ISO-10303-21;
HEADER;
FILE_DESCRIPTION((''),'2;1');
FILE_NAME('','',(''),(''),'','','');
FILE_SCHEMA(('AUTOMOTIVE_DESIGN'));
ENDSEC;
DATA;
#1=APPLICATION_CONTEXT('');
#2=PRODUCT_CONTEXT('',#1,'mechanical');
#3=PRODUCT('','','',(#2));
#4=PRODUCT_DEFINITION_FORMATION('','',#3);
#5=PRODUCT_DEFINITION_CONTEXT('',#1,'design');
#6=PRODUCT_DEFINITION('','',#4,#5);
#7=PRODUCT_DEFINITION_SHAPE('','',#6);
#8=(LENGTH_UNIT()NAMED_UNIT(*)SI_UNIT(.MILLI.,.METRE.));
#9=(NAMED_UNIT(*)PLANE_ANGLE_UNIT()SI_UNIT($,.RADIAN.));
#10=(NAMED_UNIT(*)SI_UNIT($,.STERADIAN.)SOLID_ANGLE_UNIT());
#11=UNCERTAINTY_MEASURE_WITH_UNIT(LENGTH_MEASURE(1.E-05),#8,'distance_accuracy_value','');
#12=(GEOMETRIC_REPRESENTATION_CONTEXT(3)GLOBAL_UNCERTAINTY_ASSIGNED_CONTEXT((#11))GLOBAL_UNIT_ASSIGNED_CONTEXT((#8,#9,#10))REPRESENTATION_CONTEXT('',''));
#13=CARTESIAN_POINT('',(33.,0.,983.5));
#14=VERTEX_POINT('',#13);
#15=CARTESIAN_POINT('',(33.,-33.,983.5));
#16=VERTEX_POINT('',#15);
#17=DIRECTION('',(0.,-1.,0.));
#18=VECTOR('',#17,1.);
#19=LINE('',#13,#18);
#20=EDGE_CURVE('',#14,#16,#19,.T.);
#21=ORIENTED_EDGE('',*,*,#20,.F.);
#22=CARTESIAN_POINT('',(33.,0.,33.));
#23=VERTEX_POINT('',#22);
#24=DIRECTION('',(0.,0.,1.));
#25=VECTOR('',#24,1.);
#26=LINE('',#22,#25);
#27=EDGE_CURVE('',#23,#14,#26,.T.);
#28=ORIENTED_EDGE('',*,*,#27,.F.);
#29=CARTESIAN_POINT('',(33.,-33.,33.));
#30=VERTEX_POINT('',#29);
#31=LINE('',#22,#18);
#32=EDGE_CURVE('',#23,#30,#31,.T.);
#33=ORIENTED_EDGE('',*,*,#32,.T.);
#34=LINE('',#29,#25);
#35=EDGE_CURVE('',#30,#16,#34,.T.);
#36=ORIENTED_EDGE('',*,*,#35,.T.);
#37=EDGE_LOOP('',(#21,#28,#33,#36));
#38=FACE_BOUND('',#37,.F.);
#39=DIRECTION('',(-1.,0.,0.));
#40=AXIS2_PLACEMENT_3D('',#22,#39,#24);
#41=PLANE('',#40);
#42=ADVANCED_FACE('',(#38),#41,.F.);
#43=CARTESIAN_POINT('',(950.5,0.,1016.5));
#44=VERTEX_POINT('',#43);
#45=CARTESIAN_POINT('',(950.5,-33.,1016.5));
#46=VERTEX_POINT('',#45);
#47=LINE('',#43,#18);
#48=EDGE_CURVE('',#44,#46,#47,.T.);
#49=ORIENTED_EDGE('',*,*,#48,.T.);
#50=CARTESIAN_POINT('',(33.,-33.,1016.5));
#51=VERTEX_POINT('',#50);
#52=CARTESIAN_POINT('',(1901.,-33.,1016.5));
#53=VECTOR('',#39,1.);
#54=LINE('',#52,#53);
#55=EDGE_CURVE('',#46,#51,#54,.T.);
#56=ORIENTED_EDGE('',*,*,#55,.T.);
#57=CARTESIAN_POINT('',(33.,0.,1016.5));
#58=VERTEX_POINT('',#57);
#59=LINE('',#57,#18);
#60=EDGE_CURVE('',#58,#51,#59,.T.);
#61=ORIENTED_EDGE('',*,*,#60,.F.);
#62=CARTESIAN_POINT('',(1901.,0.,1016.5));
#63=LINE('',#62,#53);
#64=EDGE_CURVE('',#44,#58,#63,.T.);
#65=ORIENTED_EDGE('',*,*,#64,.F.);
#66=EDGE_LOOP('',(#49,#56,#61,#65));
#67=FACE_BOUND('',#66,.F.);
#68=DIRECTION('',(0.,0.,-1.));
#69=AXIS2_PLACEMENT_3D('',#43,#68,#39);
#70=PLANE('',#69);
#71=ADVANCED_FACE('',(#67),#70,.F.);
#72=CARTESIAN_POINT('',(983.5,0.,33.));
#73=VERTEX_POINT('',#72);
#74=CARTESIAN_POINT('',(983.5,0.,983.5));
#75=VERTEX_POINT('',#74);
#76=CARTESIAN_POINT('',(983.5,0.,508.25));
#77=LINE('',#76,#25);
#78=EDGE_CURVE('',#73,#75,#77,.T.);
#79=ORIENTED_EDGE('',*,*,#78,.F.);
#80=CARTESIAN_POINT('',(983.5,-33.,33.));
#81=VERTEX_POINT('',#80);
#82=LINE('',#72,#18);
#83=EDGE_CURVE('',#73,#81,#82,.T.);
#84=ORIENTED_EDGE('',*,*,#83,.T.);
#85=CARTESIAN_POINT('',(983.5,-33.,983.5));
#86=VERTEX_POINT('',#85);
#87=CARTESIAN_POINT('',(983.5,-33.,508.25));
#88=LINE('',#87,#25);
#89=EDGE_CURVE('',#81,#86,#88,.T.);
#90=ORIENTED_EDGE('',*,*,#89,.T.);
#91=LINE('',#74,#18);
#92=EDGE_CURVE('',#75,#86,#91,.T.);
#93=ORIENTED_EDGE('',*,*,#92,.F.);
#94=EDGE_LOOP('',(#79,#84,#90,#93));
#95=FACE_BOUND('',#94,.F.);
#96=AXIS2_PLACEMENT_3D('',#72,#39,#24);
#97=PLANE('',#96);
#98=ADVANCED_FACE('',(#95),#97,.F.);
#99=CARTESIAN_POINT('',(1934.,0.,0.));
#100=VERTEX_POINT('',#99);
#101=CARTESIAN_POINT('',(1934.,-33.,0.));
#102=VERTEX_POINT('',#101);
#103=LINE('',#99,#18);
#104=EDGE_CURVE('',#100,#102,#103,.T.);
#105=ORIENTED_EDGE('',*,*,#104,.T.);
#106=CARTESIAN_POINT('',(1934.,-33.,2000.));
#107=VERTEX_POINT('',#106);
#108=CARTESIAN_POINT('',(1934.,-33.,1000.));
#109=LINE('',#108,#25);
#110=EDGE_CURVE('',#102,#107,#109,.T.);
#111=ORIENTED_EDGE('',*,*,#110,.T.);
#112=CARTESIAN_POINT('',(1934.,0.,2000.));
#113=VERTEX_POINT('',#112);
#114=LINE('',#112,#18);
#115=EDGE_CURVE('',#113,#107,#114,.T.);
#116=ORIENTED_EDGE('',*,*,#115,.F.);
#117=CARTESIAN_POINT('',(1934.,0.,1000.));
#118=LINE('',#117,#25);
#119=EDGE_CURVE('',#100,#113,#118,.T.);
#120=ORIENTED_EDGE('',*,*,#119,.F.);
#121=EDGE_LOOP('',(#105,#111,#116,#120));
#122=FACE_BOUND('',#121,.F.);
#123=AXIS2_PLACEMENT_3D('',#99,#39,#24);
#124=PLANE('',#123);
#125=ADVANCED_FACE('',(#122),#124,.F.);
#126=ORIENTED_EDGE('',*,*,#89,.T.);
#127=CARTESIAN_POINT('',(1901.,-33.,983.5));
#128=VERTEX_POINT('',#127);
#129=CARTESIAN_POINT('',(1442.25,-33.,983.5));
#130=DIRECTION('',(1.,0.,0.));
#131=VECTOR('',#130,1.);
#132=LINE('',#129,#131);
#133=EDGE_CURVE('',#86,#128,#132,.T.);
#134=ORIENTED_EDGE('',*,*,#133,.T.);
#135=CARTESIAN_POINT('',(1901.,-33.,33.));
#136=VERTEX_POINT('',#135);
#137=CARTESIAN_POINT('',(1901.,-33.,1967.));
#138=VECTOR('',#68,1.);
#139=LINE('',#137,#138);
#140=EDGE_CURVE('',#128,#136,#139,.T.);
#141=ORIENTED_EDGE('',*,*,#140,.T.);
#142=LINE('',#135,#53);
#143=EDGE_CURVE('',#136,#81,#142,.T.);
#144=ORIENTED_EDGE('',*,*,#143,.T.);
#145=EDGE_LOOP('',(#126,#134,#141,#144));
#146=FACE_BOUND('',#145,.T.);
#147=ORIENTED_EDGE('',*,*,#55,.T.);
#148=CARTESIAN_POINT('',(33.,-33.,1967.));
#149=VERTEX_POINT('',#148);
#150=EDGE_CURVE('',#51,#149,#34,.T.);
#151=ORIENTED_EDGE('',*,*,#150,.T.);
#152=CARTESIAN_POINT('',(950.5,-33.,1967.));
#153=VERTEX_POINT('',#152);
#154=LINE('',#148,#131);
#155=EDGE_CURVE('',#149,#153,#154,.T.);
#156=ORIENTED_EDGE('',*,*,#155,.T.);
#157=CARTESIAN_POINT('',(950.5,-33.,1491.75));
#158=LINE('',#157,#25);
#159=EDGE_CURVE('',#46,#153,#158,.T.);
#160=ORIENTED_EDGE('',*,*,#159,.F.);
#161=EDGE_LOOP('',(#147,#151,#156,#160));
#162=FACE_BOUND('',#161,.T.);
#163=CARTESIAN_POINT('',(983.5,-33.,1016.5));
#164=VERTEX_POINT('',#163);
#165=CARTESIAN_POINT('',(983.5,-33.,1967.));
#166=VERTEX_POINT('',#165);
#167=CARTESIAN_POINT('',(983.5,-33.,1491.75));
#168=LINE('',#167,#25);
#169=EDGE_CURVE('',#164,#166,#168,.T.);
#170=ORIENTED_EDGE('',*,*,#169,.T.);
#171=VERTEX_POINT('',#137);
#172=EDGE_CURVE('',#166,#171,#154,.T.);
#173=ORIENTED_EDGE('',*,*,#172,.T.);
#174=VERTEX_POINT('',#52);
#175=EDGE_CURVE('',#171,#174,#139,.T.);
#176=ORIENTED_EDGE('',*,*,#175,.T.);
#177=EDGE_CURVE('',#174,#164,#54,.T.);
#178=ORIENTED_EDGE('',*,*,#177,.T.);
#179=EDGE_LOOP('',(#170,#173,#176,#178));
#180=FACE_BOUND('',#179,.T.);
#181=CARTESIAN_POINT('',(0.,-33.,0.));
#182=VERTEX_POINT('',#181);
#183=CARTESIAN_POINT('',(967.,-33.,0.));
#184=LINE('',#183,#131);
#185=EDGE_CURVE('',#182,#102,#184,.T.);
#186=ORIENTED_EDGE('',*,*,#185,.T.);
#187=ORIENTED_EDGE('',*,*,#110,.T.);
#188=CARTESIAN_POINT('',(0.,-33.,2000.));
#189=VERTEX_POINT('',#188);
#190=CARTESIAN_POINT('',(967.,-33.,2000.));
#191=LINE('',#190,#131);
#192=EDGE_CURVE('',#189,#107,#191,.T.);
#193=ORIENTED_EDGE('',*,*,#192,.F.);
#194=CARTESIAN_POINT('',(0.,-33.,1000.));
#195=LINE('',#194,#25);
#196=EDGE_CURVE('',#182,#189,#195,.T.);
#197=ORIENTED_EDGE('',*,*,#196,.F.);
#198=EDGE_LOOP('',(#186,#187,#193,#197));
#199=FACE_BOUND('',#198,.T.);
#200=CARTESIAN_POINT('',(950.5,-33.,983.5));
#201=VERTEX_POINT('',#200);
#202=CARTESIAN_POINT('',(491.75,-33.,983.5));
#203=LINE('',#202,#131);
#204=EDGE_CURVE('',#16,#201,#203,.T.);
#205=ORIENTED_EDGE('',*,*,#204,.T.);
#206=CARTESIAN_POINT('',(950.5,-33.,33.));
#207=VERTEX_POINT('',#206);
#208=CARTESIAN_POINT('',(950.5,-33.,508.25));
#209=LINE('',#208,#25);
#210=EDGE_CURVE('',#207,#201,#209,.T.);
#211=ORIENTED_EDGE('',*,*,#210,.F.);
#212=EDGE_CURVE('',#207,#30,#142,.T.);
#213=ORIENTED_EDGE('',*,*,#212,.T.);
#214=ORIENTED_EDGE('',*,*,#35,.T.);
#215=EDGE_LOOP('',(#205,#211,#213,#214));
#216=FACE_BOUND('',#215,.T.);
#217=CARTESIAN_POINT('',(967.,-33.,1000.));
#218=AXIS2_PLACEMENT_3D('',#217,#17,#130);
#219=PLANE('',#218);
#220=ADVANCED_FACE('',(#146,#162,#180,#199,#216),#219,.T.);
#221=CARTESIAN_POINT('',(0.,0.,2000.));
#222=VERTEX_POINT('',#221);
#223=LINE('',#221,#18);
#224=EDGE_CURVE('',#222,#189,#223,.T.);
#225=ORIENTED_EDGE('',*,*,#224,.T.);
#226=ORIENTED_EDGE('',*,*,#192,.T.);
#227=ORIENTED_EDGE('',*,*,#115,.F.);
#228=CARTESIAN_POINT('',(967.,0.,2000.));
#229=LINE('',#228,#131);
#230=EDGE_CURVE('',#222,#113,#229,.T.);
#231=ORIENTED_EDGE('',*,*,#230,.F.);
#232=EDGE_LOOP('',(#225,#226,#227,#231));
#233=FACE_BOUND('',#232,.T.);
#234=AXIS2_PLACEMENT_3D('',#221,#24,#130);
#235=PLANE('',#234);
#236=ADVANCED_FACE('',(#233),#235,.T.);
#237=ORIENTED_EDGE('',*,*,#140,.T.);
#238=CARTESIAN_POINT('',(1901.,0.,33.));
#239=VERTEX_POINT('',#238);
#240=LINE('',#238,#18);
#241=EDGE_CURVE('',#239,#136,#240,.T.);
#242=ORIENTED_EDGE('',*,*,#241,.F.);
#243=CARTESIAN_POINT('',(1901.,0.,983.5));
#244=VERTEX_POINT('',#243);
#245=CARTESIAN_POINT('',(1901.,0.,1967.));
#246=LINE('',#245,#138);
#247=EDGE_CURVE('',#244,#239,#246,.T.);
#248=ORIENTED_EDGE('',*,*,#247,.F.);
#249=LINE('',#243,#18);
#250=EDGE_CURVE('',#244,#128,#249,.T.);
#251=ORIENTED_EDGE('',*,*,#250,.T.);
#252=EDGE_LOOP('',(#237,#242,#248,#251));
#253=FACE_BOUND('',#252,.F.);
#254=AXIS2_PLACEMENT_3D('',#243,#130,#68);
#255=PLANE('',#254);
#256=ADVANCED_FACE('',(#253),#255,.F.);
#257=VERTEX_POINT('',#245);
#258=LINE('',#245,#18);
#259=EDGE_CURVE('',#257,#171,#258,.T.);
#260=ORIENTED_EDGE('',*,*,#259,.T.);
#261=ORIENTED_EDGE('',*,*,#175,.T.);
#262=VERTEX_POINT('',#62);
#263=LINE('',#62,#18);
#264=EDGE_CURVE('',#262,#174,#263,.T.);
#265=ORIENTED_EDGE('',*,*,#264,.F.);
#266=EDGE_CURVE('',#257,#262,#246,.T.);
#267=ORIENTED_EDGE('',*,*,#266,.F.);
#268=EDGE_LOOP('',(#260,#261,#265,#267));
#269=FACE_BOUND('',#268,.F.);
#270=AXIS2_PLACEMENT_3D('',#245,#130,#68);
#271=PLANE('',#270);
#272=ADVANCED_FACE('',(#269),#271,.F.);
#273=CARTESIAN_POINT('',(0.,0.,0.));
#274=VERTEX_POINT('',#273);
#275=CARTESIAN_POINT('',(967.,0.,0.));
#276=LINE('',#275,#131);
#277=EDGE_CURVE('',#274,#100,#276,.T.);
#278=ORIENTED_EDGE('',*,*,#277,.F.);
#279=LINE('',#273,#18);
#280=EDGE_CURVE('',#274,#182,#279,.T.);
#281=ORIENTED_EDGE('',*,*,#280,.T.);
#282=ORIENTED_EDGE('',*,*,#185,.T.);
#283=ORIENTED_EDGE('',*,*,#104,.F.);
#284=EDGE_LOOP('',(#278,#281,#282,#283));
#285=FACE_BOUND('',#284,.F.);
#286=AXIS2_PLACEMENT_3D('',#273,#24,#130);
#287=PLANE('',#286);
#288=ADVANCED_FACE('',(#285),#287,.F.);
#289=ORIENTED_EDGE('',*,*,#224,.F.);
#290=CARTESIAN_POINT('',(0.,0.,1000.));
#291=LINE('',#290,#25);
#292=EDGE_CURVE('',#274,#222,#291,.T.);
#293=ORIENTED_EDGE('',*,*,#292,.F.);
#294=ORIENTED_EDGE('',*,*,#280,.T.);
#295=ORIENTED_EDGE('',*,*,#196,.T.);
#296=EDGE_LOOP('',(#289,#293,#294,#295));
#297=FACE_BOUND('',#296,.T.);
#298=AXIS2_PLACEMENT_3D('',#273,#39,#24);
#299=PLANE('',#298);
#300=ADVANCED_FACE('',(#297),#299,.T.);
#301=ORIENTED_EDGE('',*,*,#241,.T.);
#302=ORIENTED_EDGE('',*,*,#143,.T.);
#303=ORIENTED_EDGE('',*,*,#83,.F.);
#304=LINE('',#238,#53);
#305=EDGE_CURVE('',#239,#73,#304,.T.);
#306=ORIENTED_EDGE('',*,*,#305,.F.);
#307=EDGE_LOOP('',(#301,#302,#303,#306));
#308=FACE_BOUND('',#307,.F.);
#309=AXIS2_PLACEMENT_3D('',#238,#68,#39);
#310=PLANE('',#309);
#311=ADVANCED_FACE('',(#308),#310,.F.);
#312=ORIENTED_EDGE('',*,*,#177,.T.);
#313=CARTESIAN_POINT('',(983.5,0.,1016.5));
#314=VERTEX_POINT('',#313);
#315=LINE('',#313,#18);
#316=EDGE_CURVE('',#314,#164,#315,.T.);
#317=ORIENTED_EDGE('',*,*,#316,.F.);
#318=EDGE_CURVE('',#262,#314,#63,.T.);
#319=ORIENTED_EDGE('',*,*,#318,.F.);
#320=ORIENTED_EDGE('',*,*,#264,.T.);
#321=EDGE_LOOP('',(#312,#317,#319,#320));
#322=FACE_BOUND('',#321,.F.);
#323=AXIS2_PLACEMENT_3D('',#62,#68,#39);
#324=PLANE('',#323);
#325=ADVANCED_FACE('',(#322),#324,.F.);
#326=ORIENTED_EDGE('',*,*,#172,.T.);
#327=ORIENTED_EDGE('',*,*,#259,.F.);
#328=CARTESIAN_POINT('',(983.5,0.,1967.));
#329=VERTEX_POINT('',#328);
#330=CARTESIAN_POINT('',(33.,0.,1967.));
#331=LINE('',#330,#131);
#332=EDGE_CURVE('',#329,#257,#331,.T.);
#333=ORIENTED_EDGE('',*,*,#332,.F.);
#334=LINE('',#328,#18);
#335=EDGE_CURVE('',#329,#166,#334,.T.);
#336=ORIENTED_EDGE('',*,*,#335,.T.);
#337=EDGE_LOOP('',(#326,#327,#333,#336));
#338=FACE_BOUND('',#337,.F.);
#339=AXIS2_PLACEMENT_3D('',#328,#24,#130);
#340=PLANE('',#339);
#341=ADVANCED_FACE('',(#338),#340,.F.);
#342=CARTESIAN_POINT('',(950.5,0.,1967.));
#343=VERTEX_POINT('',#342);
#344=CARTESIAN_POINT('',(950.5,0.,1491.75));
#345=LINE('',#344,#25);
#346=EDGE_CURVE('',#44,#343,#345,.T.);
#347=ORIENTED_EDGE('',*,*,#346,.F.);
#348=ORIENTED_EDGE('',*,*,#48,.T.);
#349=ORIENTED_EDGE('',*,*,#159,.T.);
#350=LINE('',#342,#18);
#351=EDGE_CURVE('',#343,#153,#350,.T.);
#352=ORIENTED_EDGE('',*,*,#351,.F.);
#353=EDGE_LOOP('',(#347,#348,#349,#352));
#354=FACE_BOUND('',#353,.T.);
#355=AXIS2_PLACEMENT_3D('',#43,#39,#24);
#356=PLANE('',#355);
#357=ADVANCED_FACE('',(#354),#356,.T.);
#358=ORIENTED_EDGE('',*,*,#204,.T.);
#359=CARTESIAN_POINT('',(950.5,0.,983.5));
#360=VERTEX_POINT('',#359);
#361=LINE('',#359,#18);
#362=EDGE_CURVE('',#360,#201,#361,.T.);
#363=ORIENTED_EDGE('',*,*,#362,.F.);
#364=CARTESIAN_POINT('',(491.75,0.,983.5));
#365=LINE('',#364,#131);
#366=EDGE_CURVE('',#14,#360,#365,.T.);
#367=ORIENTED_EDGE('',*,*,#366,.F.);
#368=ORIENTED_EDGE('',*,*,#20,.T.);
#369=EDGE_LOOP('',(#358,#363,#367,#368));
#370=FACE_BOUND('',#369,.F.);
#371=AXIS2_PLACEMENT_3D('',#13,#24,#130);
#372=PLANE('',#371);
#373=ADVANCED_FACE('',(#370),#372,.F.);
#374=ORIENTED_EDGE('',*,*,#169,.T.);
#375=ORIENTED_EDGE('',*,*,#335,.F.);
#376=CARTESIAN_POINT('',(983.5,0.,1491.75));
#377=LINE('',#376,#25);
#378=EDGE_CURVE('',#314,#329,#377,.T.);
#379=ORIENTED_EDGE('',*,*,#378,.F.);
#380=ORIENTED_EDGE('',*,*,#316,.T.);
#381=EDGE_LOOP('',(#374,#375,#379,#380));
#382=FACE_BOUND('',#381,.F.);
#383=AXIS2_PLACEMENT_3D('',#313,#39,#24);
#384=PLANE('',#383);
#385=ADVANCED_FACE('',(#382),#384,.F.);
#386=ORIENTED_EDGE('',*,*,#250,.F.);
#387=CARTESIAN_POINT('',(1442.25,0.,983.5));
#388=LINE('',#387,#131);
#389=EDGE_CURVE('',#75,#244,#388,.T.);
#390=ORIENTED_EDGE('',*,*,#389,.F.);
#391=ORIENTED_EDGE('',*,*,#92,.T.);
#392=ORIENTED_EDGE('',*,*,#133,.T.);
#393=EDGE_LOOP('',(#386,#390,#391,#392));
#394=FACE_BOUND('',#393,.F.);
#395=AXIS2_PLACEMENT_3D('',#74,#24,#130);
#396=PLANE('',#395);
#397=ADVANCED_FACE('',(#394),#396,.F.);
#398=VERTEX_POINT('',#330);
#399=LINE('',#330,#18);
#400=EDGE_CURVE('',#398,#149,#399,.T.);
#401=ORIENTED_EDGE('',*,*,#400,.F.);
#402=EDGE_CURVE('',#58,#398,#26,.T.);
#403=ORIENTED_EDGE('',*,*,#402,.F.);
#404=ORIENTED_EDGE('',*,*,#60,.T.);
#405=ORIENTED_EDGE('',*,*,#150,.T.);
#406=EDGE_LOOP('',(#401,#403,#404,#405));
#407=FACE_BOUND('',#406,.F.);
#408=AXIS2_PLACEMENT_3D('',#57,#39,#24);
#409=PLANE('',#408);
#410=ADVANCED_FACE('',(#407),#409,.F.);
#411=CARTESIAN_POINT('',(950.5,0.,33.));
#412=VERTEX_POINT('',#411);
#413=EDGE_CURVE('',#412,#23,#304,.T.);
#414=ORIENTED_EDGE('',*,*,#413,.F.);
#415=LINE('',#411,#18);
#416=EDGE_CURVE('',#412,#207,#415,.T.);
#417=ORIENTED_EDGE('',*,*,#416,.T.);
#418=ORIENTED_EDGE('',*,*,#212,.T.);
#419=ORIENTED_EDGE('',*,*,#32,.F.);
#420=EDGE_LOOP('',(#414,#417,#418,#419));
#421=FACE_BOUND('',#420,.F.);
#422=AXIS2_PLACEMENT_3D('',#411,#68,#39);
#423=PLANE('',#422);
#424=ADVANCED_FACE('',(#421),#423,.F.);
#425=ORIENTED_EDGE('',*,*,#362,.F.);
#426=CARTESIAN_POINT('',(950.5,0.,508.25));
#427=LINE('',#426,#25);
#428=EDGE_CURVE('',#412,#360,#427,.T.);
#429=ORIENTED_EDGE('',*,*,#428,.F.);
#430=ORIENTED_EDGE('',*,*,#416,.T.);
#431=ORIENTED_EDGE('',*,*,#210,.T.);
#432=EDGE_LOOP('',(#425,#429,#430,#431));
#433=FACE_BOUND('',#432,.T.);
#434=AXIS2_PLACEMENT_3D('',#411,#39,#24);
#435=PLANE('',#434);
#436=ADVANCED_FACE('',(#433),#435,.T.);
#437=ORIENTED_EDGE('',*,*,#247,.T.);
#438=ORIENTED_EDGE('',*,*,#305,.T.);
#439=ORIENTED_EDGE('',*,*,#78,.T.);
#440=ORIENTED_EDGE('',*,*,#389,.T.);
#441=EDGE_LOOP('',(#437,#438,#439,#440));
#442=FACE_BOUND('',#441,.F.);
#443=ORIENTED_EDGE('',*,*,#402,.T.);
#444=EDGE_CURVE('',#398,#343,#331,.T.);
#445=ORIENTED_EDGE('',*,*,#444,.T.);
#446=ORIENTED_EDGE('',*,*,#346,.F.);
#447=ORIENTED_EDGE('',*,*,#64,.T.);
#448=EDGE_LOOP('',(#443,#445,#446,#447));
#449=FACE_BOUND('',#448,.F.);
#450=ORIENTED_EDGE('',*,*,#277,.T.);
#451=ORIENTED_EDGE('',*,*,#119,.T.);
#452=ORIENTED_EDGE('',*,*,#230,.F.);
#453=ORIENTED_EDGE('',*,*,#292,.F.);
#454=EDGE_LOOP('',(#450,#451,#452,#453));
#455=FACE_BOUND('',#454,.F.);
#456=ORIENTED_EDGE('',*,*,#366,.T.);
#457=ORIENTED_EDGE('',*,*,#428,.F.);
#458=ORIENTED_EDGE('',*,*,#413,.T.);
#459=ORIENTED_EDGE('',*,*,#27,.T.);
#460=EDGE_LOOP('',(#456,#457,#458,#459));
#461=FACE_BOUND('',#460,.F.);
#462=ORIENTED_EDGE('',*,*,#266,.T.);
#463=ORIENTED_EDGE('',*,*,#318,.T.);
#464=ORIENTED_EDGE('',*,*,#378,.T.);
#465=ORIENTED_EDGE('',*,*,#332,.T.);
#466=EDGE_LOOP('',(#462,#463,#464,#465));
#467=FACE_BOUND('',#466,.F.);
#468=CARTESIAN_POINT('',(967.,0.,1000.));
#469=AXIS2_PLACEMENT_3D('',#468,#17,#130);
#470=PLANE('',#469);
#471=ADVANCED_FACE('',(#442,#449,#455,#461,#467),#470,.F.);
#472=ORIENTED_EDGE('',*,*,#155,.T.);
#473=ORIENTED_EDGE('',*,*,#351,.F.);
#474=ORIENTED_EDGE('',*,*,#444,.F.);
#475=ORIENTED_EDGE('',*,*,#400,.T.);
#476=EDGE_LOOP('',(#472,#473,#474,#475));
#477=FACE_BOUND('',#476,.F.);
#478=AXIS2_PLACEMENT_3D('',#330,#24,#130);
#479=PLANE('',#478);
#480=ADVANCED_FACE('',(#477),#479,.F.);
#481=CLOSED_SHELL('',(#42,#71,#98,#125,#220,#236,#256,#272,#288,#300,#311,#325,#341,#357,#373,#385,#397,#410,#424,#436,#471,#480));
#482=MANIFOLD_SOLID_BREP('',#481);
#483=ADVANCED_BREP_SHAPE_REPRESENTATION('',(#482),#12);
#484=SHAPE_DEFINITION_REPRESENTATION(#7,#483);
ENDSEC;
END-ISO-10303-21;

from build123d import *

# Parameters (mm, degrees)
F0_W     = 1934
F0_H     = 2000
F0_W_2   = 917.5
F0_H_2   = 33
F0_W_3   = 33
F0_H_3   = 950.5
F1_DEPTH = 33


with BuildPart() as f1:
    # F0 (on Front) → F1 (new body)
    with BuildSketch(Plane.XZ):
        with Locations((967, 1000)):
            Rectangle(F0_W, F0_H)
        Polygon((950.5, 33), (33, 33), (33, 983.5), (33, 1016.5), (33, 1967), (950.5, 1967), (983.5, 1967), (1901, 1967), (1901, 1016.5), (1901, 983.5), (1901, 33), (983.5, 33), align=None, mode=Mode.SUBTRACT)
        with Locations((491.75, 1000)):
            Rectangle(F0_W_2, F0_H_2)
        with Locations((1442.25, 1000)):
            Rectangle(F0_W_2, F0_H_2)
        with Locations((967, 508.25)):
            Rectangle(F0_W_3, F0_H_3)
        with Locations((967, 1000)):
            Rectangle(F0_W_3, F0_H_2)
        with Locations((967, 1491.75)):
            Rectangle(F0_W_3, F0_H_3)
    extrude(amount=F1_DEPTH)


solid = f1.part
